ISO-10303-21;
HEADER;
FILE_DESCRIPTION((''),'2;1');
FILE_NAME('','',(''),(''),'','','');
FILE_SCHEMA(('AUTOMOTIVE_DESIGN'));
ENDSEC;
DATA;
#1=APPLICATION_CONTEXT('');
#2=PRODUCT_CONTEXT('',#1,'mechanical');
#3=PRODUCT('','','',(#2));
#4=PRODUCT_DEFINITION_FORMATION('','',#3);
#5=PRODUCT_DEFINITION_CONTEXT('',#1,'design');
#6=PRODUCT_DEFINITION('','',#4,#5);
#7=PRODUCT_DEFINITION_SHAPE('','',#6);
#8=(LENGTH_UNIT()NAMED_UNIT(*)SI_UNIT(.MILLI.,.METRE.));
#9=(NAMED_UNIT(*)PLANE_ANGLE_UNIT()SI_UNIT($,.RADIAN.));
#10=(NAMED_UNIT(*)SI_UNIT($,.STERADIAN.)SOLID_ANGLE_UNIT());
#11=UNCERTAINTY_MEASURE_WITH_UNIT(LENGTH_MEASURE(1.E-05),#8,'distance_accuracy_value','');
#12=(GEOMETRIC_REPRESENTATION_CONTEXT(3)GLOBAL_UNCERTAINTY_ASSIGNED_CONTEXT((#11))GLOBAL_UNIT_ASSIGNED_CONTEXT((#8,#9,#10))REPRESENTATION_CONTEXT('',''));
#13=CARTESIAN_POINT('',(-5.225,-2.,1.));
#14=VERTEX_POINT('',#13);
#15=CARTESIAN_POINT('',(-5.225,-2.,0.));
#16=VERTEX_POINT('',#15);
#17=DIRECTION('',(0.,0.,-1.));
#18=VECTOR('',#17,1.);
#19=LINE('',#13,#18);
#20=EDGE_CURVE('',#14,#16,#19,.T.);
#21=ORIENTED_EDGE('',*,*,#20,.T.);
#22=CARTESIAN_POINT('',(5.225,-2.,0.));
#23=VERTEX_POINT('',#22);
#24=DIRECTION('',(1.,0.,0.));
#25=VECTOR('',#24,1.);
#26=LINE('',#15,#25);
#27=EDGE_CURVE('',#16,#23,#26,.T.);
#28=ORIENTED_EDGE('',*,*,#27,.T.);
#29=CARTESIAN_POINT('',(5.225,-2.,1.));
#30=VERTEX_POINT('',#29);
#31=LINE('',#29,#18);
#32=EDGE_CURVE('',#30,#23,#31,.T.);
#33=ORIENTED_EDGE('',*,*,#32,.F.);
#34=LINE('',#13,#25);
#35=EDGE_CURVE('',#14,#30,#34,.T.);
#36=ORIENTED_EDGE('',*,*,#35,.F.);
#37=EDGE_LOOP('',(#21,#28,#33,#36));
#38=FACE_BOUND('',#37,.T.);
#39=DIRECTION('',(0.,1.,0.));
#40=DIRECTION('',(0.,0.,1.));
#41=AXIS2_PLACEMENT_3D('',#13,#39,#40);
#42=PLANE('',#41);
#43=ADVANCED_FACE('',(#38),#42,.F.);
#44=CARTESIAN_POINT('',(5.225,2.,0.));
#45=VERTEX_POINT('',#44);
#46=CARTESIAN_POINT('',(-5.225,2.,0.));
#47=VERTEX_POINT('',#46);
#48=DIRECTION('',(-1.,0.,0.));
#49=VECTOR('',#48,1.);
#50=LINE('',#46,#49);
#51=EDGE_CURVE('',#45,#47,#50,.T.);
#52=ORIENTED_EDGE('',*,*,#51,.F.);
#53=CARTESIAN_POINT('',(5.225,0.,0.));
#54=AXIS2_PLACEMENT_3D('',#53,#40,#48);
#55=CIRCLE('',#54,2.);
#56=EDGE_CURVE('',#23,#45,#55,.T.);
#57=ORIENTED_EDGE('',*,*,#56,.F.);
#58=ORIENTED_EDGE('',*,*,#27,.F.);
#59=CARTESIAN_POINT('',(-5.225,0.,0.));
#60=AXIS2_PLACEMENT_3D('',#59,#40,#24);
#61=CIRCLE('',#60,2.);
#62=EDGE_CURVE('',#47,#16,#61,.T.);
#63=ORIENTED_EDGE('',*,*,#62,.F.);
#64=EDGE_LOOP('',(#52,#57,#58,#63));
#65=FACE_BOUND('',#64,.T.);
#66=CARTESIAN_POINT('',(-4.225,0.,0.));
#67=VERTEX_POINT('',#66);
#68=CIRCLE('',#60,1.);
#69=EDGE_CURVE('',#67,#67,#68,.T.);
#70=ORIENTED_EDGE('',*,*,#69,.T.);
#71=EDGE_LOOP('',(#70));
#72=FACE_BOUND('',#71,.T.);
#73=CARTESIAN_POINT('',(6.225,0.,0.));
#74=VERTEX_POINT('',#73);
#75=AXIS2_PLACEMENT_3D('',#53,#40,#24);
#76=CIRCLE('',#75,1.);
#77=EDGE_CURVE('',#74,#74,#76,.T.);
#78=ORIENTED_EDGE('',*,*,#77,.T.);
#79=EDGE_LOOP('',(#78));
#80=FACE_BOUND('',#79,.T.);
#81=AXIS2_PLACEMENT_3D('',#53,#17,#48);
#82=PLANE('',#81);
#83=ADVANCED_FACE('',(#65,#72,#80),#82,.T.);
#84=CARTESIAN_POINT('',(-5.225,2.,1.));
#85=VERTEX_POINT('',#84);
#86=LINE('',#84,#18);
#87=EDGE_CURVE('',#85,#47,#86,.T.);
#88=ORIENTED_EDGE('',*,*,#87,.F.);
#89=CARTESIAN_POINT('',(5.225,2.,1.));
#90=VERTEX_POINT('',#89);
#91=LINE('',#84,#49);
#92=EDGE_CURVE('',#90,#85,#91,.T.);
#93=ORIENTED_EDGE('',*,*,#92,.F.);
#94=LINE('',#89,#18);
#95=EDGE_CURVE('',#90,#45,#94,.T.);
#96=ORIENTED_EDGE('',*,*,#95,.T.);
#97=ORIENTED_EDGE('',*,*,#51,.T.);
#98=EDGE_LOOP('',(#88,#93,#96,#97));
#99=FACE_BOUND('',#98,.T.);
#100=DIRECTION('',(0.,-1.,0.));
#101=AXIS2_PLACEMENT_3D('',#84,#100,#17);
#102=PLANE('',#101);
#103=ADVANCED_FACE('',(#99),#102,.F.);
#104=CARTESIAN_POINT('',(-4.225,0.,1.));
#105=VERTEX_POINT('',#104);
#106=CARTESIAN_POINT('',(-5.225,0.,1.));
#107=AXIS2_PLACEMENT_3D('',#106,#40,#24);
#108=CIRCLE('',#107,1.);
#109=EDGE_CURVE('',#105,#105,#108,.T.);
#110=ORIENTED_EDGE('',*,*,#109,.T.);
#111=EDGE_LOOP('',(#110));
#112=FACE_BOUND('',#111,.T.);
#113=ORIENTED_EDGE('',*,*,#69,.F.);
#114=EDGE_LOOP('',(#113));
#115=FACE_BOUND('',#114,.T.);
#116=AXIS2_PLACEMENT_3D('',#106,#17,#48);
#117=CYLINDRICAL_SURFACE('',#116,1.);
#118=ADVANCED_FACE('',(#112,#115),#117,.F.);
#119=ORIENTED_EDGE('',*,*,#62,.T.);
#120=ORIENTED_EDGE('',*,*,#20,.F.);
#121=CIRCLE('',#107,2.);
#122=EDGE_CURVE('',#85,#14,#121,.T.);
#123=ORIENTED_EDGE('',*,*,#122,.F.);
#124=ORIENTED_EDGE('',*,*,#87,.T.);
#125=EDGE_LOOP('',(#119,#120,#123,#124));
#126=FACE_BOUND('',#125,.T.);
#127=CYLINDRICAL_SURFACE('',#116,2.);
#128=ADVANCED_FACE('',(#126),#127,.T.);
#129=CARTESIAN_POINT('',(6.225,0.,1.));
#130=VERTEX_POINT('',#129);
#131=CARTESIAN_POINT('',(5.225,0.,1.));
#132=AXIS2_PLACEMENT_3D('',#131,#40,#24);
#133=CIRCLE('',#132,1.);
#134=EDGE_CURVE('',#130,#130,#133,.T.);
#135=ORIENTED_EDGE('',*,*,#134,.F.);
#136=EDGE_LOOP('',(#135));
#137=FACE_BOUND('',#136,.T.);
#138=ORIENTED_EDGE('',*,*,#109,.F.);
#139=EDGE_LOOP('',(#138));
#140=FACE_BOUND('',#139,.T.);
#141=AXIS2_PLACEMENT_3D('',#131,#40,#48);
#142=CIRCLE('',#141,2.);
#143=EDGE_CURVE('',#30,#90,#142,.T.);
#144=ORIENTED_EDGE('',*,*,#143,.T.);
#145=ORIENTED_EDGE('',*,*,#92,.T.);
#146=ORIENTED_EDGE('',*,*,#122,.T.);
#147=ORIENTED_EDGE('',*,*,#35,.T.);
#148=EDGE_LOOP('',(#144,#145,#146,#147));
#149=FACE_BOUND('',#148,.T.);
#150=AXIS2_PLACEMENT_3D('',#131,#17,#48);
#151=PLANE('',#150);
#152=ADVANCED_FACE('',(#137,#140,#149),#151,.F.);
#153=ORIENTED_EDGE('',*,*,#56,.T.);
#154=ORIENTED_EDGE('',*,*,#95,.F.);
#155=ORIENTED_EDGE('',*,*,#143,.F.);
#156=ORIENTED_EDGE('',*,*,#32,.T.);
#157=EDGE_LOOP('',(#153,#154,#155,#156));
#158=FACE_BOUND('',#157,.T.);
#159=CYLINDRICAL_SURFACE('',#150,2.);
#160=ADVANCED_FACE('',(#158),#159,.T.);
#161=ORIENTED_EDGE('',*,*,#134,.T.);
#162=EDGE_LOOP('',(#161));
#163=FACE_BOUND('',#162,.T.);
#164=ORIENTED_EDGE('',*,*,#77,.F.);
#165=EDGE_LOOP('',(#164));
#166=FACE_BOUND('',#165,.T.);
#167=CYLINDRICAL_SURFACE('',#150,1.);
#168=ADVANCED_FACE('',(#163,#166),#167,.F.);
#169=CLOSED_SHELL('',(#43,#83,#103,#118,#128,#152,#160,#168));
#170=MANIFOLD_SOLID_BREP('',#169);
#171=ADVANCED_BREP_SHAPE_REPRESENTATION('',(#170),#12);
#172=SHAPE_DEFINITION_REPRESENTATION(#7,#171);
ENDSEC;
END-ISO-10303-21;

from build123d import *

# Parameters (mm, degrees)
ESBO_O1_R                = 1
RESSALTO_EXTRUS_O1_DEPTH = 1


with BuildPart() as part:
    # Esboço1 → Ressalto-extrusão1 (new body)
    with BuildSketch(Plane.XY):
        with BuildLine():
            Line((-5.225, 2), (5.225, 2))
            ThreePointArc((5.225, 2), (7.225, 0), (5.225, -2))
            Line((5.225, -2), (-5.225, -2))
            ThreePointArc((-5.225, -2), (-7.225, 0), (-5.225, 2))
        make_face()
        with Locations((-5.225, 0)):
            Circle(ESBO_O1_R, mode=Mode.SUBTRACT)
        with Locations((5.225, 0)):
            Circle(ESBO_O1_R, mode=Mode.SUBTRACT)
    extrude(amount=RESSALTO_EXTRUS_O1_DEPTH)


solid = part.part
